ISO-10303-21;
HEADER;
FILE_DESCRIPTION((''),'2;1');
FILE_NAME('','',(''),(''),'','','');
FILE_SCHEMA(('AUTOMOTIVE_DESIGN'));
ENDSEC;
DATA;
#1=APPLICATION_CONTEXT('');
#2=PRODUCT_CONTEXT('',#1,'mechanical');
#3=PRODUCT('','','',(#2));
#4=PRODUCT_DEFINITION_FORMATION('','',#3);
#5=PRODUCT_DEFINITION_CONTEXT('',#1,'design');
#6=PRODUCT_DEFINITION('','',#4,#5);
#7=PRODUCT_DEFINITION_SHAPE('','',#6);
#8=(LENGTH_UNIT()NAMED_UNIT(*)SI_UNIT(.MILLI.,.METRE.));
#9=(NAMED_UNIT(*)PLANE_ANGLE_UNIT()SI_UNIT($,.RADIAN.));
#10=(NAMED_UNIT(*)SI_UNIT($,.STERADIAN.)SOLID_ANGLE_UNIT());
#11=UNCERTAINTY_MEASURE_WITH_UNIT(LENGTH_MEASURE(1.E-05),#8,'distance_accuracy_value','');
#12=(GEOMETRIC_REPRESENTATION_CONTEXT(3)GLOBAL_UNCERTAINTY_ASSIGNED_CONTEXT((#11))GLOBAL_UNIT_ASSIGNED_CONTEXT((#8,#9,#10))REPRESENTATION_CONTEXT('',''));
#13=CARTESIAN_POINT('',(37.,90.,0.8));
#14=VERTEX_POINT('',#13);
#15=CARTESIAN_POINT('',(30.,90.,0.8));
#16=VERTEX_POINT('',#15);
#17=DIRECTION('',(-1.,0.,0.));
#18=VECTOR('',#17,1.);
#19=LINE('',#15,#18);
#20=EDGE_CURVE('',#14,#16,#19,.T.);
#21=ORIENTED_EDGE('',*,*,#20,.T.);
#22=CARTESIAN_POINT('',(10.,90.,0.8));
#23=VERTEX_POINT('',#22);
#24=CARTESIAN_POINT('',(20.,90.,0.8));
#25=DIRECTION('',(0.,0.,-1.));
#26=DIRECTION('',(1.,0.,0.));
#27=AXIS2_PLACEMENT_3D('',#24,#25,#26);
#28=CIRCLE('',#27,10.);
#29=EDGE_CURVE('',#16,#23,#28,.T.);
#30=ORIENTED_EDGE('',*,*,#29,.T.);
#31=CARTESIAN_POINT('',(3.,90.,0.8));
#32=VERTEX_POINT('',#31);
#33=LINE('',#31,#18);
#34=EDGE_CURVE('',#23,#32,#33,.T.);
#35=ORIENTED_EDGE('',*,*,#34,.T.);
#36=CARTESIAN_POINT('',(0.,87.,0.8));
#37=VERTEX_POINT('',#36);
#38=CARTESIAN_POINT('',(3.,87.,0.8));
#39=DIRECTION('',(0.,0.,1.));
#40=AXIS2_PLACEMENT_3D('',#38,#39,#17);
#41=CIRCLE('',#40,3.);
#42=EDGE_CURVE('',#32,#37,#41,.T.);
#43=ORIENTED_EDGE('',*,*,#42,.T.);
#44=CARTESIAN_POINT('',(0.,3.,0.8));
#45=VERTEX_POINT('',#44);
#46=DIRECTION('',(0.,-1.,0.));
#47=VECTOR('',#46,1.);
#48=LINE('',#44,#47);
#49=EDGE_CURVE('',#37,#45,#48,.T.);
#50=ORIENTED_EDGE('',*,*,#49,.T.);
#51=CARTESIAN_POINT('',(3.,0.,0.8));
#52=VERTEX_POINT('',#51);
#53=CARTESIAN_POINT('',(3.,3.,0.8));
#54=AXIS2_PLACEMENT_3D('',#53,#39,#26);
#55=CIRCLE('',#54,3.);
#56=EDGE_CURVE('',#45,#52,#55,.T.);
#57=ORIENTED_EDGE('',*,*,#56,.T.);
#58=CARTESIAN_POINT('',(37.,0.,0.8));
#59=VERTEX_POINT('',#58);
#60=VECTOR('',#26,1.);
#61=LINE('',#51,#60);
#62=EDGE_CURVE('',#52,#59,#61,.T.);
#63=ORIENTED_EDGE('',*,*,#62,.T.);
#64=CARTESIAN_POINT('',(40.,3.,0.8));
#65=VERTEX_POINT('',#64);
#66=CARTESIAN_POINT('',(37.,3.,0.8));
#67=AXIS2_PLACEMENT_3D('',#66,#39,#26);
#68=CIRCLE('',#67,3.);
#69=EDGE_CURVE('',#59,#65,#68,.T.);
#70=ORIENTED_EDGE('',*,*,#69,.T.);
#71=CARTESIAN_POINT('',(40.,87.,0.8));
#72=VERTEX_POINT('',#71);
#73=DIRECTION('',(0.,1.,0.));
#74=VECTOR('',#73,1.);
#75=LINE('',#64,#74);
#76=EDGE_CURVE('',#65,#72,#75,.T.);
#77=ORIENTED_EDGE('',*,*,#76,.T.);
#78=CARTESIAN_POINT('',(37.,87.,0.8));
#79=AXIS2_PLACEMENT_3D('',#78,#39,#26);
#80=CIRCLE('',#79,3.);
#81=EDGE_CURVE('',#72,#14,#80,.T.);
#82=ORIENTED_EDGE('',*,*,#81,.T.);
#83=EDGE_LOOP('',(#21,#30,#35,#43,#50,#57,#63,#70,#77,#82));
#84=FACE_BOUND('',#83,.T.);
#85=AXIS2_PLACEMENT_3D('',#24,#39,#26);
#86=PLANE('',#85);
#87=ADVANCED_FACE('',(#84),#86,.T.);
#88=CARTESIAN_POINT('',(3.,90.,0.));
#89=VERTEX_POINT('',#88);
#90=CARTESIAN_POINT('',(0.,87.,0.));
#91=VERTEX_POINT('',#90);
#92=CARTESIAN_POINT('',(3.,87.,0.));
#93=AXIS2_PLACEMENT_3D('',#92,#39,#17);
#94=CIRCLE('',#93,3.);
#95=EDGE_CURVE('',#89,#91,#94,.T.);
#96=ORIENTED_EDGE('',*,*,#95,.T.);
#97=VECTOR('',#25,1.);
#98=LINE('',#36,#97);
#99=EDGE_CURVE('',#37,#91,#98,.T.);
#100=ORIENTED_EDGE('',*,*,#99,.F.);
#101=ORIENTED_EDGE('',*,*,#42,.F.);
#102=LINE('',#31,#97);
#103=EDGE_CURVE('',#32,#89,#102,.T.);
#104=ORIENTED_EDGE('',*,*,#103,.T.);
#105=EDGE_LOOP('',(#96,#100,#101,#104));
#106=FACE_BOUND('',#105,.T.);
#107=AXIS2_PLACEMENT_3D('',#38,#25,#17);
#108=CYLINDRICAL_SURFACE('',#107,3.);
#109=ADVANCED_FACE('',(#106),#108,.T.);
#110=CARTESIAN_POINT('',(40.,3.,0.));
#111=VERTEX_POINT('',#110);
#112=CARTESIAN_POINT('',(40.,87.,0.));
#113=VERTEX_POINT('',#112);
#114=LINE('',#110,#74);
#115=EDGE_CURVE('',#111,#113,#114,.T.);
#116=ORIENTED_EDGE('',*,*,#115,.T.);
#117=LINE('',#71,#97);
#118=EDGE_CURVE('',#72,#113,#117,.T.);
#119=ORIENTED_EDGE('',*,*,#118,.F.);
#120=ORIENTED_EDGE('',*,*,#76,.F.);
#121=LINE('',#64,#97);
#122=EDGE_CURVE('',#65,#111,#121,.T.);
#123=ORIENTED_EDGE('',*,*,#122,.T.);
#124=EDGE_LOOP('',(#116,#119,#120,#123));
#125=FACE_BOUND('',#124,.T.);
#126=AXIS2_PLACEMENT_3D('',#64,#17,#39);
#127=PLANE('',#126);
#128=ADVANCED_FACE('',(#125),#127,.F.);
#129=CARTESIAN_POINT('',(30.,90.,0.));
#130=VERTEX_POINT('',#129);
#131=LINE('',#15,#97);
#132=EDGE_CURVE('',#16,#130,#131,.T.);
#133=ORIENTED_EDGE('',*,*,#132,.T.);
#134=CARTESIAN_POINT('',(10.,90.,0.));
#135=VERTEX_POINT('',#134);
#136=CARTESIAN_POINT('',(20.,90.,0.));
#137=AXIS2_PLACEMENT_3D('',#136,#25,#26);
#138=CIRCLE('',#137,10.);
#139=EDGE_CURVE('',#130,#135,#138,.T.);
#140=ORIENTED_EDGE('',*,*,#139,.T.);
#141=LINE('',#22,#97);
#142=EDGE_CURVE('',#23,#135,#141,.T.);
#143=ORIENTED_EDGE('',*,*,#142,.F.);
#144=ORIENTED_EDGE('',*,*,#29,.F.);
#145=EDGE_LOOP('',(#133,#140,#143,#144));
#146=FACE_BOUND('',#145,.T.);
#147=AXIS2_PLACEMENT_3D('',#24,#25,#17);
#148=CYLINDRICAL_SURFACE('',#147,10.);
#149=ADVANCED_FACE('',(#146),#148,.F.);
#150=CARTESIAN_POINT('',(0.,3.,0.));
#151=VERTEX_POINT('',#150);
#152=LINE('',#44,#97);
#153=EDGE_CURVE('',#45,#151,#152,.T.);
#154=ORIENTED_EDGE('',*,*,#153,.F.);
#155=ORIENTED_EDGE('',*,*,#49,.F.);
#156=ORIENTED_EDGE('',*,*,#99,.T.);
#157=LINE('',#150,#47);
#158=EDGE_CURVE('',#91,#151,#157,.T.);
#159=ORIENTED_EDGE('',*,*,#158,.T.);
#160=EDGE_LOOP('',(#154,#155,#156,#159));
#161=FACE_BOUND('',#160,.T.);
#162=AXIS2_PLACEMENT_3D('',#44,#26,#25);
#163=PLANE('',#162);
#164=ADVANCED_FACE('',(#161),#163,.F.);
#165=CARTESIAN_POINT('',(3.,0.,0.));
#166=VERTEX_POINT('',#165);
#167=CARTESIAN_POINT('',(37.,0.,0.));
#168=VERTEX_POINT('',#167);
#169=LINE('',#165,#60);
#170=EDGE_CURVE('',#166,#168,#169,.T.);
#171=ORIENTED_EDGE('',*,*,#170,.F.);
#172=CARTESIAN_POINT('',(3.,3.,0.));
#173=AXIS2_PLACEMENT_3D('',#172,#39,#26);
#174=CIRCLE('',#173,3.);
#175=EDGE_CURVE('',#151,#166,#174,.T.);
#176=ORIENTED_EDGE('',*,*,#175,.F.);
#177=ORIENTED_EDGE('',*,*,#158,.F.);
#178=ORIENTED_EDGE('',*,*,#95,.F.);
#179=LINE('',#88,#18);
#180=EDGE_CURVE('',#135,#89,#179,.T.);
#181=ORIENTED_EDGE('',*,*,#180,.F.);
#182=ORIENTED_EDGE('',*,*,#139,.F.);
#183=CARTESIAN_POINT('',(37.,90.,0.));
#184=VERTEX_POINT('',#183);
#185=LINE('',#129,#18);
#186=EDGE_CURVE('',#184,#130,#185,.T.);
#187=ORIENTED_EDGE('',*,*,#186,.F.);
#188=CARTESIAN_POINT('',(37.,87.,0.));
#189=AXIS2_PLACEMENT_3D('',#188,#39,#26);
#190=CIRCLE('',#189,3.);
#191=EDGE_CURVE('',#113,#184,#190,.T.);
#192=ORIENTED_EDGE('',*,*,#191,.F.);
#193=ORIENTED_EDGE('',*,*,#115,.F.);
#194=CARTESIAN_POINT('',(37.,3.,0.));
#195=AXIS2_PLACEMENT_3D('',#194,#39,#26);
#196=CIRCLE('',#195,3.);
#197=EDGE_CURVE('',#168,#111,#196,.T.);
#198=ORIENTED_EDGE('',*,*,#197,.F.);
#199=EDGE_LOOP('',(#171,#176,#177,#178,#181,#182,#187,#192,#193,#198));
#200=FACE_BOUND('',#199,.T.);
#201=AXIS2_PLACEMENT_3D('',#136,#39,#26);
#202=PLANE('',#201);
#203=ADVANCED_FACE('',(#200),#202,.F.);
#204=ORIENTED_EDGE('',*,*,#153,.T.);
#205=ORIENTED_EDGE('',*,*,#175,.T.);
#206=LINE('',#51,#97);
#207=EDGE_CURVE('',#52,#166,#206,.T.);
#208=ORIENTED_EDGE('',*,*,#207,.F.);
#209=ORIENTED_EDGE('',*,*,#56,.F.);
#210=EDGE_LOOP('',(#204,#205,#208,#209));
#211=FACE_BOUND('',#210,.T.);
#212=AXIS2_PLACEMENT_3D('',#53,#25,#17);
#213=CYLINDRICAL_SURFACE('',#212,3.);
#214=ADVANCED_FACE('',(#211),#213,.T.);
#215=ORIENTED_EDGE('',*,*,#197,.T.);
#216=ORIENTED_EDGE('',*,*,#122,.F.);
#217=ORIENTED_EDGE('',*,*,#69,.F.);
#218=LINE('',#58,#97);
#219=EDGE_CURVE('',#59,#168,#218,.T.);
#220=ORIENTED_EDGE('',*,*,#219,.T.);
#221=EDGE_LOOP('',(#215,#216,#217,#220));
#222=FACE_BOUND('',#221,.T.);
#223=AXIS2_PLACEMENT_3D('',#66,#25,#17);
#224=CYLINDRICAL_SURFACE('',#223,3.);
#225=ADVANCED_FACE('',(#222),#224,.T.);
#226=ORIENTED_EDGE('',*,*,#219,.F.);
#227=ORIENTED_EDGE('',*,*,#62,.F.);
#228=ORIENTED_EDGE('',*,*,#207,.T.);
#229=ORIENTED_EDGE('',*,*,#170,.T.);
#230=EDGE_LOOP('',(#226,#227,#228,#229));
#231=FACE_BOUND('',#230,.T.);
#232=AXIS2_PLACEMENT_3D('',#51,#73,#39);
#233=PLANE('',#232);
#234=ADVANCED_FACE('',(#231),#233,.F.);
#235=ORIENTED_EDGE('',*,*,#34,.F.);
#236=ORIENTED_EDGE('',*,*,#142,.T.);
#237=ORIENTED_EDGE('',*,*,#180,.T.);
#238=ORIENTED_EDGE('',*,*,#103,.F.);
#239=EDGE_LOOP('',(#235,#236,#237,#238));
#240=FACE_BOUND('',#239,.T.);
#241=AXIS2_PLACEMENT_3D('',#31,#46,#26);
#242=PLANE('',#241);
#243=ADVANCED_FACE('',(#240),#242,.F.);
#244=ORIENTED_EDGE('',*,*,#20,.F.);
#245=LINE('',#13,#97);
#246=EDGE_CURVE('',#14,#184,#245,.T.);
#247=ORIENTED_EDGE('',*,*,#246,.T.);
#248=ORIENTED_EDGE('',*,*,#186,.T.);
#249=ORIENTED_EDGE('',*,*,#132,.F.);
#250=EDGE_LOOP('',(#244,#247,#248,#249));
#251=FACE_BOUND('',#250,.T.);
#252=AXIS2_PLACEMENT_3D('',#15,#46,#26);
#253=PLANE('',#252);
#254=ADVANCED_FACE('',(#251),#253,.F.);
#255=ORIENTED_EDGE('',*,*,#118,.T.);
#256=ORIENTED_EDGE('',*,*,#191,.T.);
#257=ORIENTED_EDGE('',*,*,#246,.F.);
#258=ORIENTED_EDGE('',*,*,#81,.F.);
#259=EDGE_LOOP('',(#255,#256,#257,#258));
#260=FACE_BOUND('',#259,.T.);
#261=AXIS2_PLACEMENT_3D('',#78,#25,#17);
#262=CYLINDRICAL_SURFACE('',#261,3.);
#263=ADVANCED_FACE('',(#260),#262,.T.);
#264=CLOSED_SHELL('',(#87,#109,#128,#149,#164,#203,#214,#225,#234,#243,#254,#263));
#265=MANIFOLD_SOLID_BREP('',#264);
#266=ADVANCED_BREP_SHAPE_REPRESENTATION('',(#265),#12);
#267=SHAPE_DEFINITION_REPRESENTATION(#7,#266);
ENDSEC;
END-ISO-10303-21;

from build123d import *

# Parameters (mm, degrees)
BOSS_EXTRUDE1_DEPTH = 0.8


with BuildPart() as part:
    # Sketch1 → Boss-Extrude1 (new body)
    with BuildSketch(Plane.XY):
        with BuildLine():
            Line((30, 90), (37, 90))
            ThreePointArc((37, 90), (39.121320344, 89.121320344), (40, 87))
            Line((40, 87), (40, 3))
            ThreePointArc((40, 3), (39.121320344, 0.878679656), (37, 0))
            Line((37, 0), (3, 0))
            ThreePointArc((3, 0), (0.878679656, 0.878679656), (0, 3))
            Line((0, 3), (0, 87))
            ThreePointArc((0, 87), (0.878679656, 89.121320344), (3, 90))
            Line((3, 90), (10, 90))
            ThreePointArc((10, 90), (20, 80), (30, 90))
        make_face()
    extrude(amount=BOSS_EXTRUDE1_DEPTH)


solid = part.part
